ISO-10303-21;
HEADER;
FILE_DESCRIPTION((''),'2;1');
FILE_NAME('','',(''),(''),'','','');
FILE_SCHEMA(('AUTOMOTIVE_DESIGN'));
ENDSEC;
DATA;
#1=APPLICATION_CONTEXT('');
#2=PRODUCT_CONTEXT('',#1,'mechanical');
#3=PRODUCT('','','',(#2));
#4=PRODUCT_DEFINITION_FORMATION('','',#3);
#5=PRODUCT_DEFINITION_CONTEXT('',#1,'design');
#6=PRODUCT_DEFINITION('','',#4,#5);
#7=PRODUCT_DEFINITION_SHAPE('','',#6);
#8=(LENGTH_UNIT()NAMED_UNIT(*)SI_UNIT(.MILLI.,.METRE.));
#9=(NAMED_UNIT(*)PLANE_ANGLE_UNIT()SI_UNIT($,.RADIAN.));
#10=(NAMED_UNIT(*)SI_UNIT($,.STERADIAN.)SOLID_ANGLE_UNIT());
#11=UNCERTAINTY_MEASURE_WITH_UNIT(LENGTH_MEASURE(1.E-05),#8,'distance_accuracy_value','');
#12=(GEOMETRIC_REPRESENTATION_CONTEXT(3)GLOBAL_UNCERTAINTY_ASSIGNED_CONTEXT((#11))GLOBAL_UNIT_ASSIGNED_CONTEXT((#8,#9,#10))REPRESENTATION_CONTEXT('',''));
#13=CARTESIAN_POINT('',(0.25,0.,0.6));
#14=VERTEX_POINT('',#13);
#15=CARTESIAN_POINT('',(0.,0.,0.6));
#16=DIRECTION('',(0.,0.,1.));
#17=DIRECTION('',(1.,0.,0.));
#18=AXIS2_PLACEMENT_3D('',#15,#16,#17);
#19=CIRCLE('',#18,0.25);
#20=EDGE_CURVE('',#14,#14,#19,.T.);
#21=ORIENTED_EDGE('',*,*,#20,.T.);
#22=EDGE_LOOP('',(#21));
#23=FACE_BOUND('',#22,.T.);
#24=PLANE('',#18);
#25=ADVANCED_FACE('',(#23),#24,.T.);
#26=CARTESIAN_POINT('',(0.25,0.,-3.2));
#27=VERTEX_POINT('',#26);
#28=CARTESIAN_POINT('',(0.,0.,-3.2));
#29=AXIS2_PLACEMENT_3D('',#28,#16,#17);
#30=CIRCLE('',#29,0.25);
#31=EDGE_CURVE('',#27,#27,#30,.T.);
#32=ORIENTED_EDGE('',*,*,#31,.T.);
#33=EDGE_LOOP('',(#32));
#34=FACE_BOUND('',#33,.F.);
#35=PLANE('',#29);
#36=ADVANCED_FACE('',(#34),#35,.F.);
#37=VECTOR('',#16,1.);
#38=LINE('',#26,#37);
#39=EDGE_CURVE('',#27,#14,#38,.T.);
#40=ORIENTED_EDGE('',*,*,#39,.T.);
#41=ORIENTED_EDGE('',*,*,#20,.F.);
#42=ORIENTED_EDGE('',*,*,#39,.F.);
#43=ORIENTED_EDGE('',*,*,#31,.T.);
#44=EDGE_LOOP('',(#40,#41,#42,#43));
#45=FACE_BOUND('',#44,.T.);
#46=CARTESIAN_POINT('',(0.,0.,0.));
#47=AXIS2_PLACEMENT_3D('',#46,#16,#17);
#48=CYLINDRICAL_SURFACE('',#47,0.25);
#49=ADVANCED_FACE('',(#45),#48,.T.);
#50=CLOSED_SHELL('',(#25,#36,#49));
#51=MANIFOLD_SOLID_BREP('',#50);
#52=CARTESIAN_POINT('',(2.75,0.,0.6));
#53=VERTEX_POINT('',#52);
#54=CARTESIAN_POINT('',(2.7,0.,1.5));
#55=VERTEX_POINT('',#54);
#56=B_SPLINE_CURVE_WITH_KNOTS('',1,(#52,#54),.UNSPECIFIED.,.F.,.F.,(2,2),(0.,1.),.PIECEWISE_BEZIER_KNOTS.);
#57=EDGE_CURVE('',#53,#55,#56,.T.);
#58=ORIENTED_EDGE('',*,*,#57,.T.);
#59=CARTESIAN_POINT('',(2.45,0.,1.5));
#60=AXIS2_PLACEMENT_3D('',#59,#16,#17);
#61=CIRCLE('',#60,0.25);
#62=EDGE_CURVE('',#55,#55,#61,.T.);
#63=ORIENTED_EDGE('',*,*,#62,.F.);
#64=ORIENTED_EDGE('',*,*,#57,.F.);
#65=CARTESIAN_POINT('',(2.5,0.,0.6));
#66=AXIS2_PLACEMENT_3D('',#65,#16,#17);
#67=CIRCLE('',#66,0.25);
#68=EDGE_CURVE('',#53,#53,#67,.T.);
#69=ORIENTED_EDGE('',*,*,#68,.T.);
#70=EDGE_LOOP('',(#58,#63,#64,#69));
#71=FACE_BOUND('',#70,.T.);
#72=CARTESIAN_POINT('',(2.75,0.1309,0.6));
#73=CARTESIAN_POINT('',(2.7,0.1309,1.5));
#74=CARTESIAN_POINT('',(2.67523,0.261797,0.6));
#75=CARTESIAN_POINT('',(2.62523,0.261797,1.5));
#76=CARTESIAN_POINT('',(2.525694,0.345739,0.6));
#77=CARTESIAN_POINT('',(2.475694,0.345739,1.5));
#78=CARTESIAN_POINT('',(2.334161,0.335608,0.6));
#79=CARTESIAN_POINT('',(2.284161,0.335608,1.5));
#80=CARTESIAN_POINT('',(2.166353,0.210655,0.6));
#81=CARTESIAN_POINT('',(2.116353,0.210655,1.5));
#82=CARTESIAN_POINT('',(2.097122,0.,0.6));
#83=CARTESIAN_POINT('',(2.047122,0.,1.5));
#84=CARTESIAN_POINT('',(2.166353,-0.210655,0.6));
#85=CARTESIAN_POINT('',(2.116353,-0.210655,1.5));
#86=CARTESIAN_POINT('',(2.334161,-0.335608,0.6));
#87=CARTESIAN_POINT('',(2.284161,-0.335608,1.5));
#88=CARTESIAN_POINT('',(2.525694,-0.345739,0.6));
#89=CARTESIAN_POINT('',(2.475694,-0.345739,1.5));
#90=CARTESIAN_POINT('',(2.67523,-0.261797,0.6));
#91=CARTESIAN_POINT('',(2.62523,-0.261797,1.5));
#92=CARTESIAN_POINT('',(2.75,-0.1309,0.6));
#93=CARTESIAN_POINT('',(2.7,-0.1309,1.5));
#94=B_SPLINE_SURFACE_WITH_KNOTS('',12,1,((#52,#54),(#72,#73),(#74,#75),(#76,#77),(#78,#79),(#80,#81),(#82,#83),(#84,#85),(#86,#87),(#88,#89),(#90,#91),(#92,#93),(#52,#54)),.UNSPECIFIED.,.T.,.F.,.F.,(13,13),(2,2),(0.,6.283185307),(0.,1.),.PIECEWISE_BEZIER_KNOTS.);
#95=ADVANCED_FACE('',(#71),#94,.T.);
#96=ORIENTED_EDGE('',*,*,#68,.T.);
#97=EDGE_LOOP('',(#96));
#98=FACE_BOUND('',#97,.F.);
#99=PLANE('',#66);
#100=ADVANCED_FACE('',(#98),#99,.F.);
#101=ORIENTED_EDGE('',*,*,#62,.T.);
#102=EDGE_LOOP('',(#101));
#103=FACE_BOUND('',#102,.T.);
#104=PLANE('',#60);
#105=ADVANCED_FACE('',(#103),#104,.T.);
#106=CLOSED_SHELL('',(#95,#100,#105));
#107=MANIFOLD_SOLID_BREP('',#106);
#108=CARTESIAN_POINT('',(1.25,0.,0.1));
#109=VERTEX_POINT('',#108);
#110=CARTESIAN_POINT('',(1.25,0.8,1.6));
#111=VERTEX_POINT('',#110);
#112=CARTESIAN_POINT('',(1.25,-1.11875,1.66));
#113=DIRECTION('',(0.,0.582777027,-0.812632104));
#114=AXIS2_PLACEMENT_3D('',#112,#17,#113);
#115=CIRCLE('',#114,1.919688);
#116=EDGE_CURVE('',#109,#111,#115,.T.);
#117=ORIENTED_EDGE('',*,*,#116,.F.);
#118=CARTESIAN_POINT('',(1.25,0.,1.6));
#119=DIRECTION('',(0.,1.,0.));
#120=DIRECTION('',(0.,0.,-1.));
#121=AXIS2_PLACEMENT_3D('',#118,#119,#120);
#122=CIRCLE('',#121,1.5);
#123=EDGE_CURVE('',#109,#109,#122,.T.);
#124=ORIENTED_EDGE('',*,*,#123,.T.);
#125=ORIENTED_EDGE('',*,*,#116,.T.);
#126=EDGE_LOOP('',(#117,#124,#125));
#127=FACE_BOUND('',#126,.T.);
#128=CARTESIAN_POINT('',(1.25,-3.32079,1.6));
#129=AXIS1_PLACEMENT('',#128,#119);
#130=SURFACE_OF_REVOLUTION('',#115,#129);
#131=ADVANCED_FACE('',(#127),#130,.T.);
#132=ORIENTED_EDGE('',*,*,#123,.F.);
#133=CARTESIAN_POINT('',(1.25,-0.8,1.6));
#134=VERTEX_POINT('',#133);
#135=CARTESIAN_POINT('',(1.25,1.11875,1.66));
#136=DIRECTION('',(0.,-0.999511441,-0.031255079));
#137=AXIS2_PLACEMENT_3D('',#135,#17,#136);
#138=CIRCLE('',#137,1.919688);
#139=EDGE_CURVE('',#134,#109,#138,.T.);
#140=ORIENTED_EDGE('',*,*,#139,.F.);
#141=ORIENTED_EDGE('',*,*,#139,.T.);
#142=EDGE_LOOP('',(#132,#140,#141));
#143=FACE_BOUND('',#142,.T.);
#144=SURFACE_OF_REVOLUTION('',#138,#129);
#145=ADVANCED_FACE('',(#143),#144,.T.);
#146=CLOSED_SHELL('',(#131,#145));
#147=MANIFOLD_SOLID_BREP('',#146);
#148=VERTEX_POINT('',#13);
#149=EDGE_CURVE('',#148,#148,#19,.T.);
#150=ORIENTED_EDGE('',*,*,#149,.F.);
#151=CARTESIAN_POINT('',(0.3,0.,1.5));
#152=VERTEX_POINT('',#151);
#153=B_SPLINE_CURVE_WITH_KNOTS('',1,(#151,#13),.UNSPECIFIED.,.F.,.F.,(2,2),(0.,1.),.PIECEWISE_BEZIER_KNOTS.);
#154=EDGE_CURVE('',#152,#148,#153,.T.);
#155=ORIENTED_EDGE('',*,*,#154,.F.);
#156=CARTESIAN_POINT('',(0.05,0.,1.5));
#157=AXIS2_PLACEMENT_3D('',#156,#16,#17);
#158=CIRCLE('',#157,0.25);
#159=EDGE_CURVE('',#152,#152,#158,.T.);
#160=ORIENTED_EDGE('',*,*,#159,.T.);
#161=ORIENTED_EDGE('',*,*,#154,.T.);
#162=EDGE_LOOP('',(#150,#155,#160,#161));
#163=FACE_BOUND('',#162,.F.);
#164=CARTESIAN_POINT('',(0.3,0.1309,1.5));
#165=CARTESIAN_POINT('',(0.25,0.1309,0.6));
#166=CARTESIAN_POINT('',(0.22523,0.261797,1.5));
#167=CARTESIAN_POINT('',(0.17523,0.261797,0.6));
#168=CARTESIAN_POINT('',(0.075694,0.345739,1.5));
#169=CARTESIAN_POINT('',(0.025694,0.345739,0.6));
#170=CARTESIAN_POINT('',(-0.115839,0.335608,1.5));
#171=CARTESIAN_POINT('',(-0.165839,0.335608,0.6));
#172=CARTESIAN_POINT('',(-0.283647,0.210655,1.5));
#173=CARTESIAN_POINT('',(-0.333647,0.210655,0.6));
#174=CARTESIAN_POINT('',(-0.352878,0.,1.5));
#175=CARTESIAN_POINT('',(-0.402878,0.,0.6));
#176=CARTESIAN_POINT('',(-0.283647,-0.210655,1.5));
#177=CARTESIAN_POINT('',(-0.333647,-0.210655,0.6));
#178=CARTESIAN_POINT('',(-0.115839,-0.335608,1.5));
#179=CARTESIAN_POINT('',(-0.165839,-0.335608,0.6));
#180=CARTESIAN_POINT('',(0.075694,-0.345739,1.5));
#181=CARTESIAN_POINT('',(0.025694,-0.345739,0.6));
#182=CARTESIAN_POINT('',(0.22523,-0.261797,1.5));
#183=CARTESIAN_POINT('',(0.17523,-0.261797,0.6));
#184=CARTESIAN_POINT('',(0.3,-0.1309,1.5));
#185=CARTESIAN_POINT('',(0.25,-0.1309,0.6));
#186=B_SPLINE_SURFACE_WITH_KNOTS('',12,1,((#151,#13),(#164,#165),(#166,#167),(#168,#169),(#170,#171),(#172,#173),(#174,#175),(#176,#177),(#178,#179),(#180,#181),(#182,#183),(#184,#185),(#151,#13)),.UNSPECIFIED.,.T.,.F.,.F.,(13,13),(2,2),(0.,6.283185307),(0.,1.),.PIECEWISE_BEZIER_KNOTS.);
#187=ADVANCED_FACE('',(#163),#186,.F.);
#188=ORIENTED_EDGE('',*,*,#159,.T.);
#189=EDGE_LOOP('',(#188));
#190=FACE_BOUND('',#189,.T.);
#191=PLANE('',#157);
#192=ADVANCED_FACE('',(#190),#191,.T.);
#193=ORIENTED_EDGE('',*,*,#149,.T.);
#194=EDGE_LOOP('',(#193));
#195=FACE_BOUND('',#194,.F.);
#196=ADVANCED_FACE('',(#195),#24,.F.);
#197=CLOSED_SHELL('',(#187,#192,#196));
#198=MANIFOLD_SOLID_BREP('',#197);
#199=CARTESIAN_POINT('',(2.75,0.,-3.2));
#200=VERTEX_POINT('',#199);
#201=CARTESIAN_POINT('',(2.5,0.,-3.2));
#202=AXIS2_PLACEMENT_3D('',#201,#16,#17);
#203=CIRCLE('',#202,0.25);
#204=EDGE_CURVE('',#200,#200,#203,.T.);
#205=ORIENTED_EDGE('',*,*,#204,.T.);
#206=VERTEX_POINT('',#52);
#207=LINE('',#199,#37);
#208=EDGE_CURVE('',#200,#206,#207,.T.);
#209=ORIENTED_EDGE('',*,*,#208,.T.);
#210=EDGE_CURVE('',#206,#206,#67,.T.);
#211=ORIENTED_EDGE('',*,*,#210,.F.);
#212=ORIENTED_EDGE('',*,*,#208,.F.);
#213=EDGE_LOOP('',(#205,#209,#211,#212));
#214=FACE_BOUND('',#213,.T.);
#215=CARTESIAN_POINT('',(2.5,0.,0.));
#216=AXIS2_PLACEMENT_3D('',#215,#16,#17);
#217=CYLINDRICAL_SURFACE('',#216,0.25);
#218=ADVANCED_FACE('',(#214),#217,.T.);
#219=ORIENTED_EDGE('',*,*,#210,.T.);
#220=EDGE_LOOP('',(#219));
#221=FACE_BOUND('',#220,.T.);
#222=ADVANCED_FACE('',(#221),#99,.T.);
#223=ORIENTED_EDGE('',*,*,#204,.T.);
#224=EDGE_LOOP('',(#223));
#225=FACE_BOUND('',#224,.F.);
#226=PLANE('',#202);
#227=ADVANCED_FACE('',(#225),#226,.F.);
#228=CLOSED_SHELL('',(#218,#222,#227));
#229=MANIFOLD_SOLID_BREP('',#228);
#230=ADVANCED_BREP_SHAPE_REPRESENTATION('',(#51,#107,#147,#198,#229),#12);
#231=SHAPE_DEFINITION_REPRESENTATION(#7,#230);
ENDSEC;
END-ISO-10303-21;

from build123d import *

# Parameters (mm, degrees)
SKETCH001_R       = 0.25
PAD001_DEPTH      = 0.6
PAD001_DEPTH_BACK = 3.2
SKETCH002_R       = 0.25
SKETCH003_R       = 0.25
SKETCH004_R       = 0.25
SKETCH005_R       = 0.25


with BuildPart() as pad001:
    # Sketch001 → Pad001 (new body, two sides)
    with BuildSketch(Plane.XY) as pad001_sk:
        Circle(SKETCH001_R)
        with Locations((2.5, 0)):
            Circle(SKETCH001_R)
    extrude(amount=PAD001_DEPTH)
    extrude(pad001_sk.sketch, amount=-PAD001_DEPTH_BACK)


with BuildPart() as revolution:
    # Sketch → Revolution (revolve)
    with BuildSketch(Plane.YZ.offset(1.25)):
        with BuildLine():
            Line((-0.8, 1.6), (0.8, 1.6))
            ThreePointArc((0, 0.1), (0.575092, 0.756617), (0.8, 1.6))
            ThreePointArc((-0.8, 1.6), (-0.575092, 0.756617), (0, 0.1))
        make_face()
    revolve(axis=Axis((1.25, -3.32079, 1.6), (0, 1, 0)))


with BuildPart() as loft_body:
    # Sketch002 → Loft section 0
    with BuildSketch(Plane.XY.offset(1.5)):
        with Locations((0.05, 0)):
            Circle(SKETCH002_R)
    # Sketch003 → Loft section 1
    with BuildSketch(Plane.XY.offset(0.6)):
        Circle(SKETCH003_R)
    loft()


with BuildPart() as loft001:
    # Sketch004 → Loft001 section 0
    with BuildSketch(Plane.XY.offset(0.6)):
        with Locations((2.5, 0)):
            Circle(SKETCH004_R)
    # Sketch005 → Loft001 section 1
    with BuildSketch(Plane.XY.offset(1.5)):
        with Locations((2.45, 0)):
            Circle(SKETCH005_R)
    loft()


solid = Compound([pad001.part, revolution.part, loft_body.part, loft001.part])
